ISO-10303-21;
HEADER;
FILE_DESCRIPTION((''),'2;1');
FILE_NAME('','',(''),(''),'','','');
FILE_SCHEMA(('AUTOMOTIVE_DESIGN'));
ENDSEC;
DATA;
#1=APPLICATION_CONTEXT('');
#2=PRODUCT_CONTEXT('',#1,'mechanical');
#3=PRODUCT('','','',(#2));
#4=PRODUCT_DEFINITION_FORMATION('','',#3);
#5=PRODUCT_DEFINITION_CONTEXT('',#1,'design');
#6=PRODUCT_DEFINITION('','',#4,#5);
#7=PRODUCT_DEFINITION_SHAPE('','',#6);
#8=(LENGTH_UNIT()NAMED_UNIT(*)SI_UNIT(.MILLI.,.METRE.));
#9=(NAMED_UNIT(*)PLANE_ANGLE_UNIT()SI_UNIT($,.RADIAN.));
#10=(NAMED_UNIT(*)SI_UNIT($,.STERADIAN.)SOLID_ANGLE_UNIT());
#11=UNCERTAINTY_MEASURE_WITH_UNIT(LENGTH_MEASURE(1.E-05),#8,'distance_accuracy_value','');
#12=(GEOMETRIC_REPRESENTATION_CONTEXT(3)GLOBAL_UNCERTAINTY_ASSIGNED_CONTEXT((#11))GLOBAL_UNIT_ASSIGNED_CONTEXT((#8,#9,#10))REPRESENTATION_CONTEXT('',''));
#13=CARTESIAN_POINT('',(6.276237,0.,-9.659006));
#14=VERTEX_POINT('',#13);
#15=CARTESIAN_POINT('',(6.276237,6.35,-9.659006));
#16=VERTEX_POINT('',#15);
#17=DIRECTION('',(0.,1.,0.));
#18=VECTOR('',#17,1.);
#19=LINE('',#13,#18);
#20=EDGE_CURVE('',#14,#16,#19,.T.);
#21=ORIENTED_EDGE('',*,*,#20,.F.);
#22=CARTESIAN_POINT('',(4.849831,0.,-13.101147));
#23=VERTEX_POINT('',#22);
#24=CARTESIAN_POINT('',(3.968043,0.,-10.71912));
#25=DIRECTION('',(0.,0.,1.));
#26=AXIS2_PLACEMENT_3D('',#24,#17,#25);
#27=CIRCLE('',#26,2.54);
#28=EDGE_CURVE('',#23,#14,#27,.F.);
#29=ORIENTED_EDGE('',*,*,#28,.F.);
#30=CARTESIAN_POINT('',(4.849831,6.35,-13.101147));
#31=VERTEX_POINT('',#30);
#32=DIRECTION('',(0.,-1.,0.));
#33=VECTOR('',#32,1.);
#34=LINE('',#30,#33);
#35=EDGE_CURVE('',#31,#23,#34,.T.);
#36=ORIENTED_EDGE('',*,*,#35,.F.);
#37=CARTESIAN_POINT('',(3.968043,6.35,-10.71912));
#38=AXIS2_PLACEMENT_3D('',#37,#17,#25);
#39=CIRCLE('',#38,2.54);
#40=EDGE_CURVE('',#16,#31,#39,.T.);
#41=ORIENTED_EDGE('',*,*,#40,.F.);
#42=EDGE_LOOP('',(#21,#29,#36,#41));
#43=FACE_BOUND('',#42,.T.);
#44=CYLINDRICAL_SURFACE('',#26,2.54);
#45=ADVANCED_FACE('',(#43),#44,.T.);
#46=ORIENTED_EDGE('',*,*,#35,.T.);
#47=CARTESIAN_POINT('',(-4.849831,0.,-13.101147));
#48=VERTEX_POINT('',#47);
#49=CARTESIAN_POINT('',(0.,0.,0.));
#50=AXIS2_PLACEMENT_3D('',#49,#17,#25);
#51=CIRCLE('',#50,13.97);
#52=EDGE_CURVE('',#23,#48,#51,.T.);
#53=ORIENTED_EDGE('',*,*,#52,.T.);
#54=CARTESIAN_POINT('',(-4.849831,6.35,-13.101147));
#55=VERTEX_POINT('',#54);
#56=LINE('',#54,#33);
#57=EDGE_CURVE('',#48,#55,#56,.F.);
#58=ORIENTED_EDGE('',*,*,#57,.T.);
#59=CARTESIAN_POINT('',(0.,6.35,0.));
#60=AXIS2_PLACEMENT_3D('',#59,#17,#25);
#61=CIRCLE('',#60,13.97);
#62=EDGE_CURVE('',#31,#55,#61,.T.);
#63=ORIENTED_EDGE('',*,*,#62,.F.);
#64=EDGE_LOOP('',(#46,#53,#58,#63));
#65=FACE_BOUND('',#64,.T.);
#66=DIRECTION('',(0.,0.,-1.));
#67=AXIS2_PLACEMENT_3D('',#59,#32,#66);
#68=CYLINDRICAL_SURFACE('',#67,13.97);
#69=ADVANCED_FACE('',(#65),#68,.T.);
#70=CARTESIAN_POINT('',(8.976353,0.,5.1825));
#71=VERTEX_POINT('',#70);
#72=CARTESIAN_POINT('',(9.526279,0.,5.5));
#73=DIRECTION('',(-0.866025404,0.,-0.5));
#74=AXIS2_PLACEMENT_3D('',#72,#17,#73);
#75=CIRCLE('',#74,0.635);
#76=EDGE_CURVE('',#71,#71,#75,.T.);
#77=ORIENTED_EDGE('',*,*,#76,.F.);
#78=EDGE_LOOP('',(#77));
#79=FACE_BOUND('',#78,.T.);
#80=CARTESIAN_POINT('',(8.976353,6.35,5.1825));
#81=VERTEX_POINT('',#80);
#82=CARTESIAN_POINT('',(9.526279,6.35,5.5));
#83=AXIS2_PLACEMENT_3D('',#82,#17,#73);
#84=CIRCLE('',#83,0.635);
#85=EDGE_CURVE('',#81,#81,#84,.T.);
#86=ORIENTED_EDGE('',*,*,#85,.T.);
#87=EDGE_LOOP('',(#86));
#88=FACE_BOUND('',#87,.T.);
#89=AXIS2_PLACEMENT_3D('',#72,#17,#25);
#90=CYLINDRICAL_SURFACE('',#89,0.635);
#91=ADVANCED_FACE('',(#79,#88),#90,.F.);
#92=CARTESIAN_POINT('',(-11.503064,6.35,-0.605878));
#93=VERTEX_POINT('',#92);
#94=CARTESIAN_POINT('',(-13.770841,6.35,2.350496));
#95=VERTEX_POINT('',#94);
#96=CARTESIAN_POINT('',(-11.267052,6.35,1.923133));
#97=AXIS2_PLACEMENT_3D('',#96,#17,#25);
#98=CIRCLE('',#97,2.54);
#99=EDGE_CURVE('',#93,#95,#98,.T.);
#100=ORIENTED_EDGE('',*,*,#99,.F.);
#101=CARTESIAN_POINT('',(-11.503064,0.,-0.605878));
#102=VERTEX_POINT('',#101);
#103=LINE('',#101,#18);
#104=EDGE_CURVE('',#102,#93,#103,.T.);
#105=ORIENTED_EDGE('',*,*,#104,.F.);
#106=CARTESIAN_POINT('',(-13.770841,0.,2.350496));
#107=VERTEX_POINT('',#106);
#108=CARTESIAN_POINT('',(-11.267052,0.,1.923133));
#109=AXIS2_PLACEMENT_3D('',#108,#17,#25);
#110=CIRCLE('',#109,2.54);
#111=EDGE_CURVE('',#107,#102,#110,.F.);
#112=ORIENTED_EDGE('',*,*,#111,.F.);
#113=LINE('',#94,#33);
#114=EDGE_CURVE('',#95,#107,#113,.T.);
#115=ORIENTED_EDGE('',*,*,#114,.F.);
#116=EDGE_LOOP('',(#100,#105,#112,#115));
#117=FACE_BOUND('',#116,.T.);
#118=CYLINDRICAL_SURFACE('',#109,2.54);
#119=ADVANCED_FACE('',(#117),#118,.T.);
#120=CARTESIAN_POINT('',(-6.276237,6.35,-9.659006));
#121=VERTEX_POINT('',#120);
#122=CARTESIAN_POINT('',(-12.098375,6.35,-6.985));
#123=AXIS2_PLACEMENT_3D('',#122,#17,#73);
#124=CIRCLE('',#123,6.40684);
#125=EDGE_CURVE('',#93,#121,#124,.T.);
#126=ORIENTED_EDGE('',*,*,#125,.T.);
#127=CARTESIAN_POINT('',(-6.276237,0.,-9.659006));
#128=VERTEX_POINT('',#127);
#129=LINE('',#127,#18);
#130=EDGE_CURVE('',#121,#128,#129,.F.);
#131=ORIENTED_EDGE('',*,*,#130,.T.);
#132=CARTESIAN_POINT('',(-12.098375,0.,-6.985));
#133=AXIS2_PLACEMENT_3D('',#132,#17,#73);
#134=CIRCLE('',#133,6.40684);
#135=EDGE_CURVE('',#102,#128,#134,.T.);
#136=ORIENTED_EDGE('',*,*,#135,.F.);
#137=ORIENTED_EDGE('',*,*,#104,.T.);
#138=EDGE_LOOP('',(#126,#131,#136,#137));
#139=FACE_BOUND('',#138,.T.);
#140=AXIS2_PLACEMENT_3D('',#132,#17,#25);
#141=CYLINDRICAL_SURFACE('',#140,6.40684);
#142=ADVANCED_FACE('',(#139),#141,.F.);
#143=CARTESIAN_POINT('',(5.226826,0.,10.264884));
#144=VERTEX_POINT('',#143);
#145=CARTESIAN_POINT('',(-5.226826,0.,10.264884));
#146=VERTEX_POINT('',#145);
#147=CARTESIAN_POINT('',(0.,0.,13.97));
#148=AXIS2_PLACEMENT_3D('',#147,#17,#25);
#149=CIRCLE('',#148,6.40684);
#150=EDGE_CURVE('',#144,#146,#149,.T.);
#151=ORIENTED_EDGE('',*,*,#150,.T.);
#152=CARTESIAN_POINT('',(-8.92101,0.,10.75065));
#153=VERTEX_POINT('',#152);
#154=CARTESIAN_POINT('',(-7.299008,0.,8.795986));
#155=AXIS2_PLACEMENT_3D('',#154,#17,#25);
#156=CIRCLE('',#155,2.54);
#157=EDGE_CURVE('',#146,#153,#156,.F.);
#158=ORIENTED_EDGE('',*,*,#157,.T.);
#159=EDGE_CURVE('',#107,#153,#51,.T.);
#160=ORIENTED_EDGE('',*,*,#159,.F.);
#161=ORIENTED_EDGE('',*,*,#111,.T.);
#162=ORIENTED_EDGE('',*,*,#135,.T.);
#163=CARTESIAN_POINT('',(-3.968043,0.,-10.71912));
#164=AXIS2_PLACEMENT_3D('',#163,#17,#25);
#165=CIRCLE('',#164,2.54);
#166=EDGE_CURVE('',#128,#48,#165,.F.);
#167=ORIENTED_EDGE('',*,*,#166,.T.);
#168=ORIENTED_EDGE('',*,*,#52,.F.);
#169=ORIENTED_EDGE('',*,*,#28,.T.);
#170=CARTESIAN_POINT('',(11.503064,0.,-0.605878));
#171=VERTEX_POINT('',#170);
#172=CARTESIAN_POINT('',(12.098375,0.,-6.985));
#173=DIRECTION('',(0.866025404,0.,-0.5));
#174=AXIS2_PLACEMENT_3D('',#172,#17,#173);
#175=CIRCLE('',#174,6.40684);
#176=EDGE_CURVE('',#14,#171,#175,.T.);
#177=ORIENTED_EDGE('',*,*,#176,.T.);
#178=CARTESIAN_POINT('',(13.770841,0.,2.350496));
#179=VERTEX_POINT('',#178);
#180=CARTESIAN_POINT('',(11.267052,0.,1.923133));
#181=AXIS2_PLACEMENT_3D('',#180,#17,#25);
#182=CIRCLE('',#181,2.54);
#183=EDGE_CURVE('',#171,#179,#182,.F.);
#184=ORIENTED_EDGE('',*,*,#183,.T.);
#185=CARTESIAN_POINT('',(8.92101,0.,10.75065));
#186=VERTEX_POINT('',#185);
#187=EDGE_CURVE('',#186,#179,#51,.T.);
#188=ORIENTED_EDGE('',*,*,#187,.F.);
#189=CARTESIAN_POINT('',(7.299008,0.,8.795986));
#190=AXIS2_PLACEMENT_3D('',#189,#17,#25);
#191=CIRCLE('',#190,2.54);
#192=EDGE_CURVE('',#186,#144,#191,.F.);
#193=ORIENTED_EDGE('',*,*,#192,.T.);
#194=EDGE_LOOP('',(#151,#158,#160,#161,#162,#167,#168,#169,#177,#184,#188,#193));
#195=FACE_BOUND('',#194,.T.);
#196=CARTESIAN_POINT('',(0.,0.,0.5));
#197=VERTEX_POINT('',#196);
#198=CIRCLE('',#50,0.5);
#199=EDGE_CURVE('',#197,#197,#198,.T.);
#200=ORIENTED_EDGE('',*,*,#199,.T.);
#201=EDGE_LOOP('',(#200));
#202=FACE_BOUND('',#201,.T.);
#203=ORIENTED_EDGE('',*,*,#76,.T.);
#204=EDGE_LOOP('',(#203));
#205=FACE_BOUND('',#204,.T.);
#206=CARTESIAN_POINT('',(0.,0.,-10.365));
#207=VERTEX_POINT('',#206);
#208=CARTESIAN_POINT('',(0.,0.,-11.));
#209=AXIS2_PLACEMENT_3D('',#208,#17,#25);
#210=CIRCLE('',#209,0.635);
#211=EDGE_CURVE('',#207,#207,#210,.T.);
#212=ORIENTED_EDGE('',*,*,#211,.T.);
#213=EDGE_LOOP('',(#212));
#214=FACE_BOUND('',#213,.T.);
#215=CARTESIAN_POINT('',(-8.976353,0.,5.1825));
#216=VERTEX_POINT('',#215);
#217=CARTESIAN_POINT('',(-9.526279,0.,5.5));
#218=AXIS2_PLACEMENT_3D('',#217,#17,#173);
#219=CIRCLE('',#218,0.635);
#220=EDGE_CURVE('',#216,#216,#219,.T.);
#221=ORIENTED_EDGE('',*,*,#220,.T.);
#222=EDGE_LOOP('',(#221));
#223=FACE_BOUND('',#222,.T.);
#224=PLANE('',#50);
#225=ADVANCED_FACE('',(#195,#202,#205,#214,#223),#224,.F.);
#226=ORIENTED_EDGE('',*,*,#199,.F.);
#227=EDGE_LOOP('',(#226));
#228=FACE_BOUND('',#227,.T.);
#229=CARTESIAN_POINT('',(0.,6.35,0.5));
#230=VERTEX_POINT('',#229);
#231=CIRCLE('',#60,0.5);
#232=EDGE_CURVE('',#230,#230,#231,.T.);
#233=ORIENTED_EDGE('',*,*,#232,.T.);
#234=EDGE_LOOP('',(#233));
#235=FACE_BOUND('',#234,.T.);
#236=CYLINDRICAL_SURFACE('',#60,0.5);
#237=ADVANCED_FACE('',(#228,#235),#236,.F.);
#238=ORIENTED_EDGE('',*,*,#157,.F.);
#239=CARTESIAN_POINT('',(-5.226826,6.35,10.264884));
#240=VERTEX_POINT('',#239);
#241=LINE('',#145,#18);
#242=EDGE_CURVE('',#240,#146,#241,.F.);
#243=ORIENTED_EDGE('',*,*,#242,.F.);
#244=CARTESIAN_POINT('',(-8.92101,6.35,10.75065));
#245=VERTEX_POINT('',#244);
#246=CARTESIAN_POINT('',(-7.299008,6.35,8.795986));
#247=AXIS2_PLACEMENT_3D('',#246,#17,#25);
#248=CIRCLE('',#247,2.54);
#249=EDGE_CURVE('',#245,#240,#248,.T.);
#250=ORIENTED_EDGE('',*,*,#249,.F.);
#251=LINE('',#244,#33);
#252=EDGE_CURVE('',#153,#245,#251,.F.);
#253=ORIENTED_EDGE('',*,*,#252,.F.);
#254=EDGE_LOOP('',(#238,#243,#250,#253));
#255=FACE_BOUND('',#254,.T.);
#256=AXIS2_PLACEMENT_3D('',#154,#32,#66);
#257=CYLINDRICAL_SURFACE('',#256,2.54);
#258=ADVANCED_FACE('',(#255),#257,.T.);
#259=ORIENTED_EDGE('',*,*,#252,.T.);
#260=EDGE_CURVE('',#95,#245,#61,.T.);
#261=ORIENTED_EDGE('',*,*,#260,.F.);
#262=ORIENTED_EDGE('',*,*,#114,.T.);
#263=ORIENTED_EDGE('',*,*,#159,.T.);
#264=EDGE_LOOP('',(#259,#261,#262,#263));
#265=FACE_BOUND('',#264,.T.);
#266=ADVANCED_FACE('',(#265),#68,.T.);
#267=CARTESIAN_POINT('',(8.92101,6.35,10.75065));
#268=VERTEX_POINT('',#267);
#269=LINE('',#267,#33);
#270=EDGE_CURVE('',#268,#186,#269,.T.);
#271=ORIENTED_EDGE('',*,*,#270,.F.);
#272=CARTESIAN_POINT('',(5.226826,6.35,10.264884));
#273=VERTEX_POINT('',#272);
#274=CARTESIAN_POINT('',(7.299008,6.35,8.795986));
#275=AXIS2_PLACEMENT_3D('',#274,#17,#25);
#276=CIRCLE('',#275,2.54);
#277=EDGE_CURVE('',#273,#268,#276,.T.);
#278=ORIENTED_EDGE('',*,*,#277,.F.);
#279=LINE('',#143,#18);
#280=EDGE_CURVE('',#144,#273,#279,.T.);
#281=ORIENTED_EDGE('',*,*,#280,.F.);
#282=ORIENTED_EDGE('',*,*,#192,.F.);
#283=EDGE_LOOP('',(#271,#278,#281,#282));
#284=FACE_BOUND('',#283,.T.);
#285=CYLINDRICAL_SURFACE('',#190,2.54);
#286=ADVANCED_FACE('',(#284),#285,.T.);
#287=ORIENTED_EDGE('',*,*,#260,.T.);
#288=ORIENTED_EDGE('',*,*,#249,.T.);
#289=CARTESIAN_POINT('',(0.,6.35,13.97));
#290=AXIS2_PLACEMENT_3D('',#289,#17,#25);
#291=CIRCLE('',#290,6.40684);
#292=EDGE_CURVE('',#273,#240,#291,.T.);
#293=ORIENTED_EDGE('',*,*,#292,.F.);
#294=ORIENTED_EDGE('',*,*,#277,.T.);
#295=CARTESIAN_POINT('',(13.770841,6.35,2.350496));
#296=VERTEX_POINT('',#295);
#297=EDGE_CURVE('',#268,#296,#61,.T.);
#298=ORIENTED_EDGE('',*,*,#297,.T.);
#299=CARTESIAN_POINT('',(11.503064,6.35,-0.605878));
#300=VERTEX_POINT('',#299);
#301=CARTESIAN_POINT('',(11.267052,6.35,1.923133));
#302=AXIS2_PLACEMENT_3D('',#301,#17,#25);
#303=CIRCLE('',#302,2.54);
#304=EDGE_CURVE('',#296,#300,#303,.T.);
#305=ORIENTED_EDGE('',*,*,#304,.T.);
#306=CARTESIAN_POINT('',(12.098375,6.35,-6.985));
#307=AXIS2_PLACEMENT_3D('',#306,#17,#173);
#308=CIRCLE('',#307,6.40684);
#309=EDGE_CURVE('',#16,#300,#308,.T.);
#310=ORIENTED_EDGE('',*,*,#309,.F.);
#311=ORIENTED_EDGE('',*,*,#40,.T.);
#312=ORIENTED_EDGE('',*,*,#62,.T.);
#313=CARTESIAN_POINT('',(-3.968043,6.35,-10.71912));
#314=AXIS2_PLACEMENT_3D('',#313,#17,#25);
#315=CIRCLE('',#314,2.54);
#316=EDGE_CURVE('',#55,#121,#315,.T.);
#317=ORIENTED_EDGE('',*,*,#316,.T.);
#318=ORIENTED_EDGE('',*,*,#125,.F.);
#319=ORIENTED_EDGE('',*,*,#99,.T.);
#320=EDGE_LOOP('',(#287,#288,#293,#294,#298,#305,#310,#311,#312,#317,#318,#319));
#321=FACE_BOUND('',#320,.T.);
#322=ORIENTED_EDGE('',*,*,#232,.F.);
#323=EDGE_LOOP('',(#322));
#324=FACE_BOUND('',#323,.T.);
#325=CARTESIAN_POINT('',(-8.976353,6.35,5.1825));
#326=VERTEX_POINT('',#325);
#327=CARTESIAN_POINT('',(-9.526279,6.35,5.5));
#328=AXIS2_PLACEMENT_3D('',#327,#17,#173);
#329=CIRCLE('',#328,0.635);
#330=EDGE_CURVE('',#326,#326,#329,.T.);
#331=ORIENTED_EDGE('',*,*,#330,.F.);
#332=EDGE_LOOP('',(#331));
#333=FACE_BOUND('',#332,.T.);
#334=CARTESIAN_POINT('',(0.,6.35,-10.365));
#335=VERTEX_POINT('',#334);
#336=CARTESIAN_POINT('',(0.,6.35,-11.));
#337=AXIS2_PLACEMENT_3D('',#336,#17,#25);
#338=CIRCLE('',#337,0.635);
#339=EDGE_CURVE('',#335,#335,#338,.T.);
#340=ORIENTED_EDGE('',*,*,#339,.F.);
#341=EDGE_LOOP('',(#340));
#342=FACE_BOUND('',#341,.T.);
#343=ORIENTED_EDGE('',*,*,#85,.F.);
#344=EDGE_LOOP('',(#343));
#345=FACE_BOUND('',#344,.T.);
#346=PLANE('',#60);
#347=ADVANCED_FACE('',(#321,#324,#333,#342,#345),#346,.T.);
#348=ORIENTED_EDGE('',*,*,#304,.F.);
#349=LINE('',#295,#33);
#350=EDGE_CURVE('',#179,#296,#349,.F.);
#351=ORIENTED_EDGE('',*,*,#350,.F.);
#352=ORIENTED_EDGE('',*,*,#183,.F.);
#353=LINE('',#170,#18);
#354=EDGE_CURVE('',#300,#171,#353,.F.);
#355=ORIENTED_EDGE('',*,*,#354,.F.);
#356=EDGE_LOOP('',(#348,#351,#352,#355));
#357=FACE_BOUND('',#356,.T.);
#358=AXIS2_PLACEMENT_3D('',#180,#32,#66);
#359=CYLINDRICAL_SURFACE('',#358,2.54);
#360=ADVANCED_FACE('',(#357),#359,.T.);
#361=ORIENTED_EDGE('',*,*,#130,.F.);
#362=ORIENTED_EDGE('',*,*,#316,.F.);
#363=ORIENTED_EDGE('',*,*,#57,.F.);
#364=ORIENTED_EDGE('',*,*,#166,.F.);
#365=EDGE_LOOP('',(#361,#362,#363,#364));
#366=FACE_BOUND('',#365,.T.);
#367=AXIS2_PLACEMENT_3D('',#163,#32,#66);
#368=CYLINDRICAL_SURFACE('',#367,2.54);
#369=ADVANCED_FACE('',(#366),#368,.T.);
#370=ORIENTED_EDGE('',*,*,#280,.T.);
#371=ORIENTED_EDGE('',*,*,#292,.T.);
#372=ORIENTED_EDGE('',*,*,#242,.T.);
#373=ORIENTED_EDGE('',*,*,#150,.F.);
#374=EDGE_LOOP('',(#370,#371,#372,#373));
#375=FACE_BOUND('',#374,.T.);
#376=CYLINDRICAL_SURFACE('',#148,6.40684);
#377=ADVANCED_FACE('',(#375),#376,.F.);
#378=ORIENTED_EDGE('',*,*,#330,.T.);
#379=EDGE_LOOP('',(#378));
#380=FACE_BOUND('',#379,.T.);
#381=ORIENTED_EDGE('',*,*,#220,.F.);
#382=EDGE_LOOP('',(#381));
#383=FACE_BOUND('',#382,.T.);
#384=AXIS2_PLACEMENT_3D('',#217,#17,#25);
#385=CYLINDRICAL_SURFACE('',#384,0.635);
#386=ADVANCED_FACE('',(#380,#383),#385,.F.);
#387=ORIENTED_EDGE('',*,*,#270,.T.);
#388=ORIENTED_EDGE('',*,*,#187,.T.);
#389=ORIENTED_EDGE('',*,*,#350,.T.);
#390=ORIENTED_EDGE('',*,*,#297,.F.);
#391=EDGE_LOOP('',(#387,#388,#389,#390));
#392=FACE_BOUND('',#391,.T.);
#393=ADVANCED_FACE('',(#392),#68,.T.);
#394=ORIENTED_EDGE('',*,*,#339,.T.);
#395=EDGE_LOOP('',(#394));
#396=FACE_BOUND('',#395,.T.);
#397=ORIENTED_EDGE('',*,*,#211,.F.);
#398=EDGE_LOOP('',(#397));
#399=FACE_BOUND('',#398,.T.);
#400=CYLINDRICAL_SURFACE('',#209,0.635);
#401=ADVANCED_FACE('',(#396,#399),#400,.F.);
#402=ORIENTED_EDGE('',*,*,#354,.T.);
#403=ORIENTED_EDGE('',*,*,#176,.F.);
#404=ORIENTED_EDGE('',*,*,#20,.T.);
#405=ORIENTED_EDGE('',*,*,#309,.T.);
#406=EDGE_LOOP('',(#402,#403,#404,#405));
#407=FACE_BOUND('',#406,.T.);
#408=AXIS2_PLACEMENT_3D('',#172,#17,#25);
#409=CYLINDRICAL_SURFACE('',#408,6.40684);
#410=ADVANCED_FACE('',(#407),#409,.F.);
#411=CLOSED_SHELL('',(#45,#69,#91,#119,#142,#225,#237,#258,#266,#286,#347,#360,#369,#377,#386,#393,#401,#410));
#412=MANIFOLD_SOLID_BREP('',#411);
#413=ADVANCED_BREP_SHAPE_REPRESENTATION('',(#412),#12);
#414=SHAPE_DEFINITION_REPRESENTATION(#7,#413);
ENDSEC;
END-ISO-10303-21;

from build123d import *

# Parameters (mm, degrees)
SKETCH1_R                       = 13.97
BOSS_EXTRUDE1_DEPTH             = 6.35
SKETCH2_R                       = 0.635
CUT_EXTRUDE1_DEPTH              = 21.751970991
CIRPATTERN1_COUNT               = 3
SKETCH4_R                       = 6.406839675
CUT_EXTRUDE3_DEPTH              = 21.751970991
CIRPATTERN2_COUNT               = 3
FILLET1_R                       = 2.54
F_1_0MM_PRESS_DOWEL_HOLE1_D     = 1
F_1_0MM_PRESS_DOWEL_HOLE1_DEPTH = 24.892
F_1_0MM_PRESS_DOWEL_HOLE1_TIP   = 0.30043031


with BuildPart() as part:
    # Sketch1 → Boss-Extrude1 (new body)
    with BuildSketch(Plane(origin=(0, 0, 0), x_dir=(1, 0, 0), z_dir=(0, 1, 0))):
        Circle(SKETCH1_R)
    extrude(amount=BOSS_EXTRUDE1_DEPTH)

    # Sketch2 → Cut-Extrude1 (cut, through all)
    with BuildSketch(Plane(origin=(0, 6.35, 0), x_dir=(1, 0, 0), z_dir=(0, 1, 0))):
        with Locations((0, 11)):
            Circle(SKETCH2_R)
    cut_extrude1 = extrude(amount=-CUT_EXTRUDE1_DEPTH, mode=Mode.SUBTRACT)

    # CirPattern1: Cut-Extrude1 ×3 about axis
    cirpattern1_axis = Axis((0, 6.35, 0), (0, -1, 0))
    for i in range(1, CIRPATTERN1_COUNT):
        add(cut_extrude1.rotate(cirpattern1_axis, i * 360 / CIRPATTERN1_COUNT), mode=Mode.SUBTRACT)

    # Sketch4 → Cut-Extrude3 (cut, through all)
    with BuildSketch(Plane(origin=(0, 6.35, 0), x_dir=(1, 0, 0), z_dir=(0, 1, 0))):
        with Locations((0, -13.97)):
            Circle(SKETCH4_R)
    cut_extrude3 = extrude(amount=-CUT_EXTRUDE3_DEPTH, mode=Mode.SUBTRACT)

    # CirPattern2: Cut-Extrude3 ×3 about axis
    cirpattern2_axis = Axis((0, 6.35, 0), (0, -1, 0))
    for i in range(1, CIRPATTERN2_COUNT):
        add(cut_extrude3.rotate(cirpattern2_axis, i * 360 / CIRPATTERN2_COUNT), mode=Mode.SUBTRACT)

    # Fillet1
    fillet1_edges = [part.edges().sort_by_distance(p)[0] for p in [
        (13.944129749, 3.175, -0.849791477),
        (6.236123867, 3.175, 12.500866334),
        (-6.236123867, 3.175, 12.500866334),
        (-13.944129749, 3.175, -0.849791477),
        (-7.708005881, 3.175, -11.651074857),
        (7.708005881, 3.175, -11.651074857),
    ]]
    fillet(fillet1_edges, radius=FILLET1_R)

    # Ø1.0mm Press Dowel Hole1
    with Locations(Plane(origin=(0, 6.35, 0), x_dir=(1, 0, 0), z_dir=(0, 1, 0))):
        with Locations((0, 0)):
            Hole(F_1_0MM_PRESS_DOWEL_HOLE1_D / 2, depth=F_1_0MM_PRESS_DOWEL_HOLE1_DEPTH)
            with Locations((0, 0, -(F_1_0MM_PRESS_DOWEL_HOLE1_DEPTH + F_1_0MM_PRESS_DOWEL_HOLE1_TIP / 2))):  # 118° drill point
                Cone(0, F_1_0MM_PRESS_DOWEL_HOLE1_D / 2, F_1_0MM_PRESS_DOWEL_HOLE1_TIP, mode=Mode.SUBTRACT)


solid = part.part
